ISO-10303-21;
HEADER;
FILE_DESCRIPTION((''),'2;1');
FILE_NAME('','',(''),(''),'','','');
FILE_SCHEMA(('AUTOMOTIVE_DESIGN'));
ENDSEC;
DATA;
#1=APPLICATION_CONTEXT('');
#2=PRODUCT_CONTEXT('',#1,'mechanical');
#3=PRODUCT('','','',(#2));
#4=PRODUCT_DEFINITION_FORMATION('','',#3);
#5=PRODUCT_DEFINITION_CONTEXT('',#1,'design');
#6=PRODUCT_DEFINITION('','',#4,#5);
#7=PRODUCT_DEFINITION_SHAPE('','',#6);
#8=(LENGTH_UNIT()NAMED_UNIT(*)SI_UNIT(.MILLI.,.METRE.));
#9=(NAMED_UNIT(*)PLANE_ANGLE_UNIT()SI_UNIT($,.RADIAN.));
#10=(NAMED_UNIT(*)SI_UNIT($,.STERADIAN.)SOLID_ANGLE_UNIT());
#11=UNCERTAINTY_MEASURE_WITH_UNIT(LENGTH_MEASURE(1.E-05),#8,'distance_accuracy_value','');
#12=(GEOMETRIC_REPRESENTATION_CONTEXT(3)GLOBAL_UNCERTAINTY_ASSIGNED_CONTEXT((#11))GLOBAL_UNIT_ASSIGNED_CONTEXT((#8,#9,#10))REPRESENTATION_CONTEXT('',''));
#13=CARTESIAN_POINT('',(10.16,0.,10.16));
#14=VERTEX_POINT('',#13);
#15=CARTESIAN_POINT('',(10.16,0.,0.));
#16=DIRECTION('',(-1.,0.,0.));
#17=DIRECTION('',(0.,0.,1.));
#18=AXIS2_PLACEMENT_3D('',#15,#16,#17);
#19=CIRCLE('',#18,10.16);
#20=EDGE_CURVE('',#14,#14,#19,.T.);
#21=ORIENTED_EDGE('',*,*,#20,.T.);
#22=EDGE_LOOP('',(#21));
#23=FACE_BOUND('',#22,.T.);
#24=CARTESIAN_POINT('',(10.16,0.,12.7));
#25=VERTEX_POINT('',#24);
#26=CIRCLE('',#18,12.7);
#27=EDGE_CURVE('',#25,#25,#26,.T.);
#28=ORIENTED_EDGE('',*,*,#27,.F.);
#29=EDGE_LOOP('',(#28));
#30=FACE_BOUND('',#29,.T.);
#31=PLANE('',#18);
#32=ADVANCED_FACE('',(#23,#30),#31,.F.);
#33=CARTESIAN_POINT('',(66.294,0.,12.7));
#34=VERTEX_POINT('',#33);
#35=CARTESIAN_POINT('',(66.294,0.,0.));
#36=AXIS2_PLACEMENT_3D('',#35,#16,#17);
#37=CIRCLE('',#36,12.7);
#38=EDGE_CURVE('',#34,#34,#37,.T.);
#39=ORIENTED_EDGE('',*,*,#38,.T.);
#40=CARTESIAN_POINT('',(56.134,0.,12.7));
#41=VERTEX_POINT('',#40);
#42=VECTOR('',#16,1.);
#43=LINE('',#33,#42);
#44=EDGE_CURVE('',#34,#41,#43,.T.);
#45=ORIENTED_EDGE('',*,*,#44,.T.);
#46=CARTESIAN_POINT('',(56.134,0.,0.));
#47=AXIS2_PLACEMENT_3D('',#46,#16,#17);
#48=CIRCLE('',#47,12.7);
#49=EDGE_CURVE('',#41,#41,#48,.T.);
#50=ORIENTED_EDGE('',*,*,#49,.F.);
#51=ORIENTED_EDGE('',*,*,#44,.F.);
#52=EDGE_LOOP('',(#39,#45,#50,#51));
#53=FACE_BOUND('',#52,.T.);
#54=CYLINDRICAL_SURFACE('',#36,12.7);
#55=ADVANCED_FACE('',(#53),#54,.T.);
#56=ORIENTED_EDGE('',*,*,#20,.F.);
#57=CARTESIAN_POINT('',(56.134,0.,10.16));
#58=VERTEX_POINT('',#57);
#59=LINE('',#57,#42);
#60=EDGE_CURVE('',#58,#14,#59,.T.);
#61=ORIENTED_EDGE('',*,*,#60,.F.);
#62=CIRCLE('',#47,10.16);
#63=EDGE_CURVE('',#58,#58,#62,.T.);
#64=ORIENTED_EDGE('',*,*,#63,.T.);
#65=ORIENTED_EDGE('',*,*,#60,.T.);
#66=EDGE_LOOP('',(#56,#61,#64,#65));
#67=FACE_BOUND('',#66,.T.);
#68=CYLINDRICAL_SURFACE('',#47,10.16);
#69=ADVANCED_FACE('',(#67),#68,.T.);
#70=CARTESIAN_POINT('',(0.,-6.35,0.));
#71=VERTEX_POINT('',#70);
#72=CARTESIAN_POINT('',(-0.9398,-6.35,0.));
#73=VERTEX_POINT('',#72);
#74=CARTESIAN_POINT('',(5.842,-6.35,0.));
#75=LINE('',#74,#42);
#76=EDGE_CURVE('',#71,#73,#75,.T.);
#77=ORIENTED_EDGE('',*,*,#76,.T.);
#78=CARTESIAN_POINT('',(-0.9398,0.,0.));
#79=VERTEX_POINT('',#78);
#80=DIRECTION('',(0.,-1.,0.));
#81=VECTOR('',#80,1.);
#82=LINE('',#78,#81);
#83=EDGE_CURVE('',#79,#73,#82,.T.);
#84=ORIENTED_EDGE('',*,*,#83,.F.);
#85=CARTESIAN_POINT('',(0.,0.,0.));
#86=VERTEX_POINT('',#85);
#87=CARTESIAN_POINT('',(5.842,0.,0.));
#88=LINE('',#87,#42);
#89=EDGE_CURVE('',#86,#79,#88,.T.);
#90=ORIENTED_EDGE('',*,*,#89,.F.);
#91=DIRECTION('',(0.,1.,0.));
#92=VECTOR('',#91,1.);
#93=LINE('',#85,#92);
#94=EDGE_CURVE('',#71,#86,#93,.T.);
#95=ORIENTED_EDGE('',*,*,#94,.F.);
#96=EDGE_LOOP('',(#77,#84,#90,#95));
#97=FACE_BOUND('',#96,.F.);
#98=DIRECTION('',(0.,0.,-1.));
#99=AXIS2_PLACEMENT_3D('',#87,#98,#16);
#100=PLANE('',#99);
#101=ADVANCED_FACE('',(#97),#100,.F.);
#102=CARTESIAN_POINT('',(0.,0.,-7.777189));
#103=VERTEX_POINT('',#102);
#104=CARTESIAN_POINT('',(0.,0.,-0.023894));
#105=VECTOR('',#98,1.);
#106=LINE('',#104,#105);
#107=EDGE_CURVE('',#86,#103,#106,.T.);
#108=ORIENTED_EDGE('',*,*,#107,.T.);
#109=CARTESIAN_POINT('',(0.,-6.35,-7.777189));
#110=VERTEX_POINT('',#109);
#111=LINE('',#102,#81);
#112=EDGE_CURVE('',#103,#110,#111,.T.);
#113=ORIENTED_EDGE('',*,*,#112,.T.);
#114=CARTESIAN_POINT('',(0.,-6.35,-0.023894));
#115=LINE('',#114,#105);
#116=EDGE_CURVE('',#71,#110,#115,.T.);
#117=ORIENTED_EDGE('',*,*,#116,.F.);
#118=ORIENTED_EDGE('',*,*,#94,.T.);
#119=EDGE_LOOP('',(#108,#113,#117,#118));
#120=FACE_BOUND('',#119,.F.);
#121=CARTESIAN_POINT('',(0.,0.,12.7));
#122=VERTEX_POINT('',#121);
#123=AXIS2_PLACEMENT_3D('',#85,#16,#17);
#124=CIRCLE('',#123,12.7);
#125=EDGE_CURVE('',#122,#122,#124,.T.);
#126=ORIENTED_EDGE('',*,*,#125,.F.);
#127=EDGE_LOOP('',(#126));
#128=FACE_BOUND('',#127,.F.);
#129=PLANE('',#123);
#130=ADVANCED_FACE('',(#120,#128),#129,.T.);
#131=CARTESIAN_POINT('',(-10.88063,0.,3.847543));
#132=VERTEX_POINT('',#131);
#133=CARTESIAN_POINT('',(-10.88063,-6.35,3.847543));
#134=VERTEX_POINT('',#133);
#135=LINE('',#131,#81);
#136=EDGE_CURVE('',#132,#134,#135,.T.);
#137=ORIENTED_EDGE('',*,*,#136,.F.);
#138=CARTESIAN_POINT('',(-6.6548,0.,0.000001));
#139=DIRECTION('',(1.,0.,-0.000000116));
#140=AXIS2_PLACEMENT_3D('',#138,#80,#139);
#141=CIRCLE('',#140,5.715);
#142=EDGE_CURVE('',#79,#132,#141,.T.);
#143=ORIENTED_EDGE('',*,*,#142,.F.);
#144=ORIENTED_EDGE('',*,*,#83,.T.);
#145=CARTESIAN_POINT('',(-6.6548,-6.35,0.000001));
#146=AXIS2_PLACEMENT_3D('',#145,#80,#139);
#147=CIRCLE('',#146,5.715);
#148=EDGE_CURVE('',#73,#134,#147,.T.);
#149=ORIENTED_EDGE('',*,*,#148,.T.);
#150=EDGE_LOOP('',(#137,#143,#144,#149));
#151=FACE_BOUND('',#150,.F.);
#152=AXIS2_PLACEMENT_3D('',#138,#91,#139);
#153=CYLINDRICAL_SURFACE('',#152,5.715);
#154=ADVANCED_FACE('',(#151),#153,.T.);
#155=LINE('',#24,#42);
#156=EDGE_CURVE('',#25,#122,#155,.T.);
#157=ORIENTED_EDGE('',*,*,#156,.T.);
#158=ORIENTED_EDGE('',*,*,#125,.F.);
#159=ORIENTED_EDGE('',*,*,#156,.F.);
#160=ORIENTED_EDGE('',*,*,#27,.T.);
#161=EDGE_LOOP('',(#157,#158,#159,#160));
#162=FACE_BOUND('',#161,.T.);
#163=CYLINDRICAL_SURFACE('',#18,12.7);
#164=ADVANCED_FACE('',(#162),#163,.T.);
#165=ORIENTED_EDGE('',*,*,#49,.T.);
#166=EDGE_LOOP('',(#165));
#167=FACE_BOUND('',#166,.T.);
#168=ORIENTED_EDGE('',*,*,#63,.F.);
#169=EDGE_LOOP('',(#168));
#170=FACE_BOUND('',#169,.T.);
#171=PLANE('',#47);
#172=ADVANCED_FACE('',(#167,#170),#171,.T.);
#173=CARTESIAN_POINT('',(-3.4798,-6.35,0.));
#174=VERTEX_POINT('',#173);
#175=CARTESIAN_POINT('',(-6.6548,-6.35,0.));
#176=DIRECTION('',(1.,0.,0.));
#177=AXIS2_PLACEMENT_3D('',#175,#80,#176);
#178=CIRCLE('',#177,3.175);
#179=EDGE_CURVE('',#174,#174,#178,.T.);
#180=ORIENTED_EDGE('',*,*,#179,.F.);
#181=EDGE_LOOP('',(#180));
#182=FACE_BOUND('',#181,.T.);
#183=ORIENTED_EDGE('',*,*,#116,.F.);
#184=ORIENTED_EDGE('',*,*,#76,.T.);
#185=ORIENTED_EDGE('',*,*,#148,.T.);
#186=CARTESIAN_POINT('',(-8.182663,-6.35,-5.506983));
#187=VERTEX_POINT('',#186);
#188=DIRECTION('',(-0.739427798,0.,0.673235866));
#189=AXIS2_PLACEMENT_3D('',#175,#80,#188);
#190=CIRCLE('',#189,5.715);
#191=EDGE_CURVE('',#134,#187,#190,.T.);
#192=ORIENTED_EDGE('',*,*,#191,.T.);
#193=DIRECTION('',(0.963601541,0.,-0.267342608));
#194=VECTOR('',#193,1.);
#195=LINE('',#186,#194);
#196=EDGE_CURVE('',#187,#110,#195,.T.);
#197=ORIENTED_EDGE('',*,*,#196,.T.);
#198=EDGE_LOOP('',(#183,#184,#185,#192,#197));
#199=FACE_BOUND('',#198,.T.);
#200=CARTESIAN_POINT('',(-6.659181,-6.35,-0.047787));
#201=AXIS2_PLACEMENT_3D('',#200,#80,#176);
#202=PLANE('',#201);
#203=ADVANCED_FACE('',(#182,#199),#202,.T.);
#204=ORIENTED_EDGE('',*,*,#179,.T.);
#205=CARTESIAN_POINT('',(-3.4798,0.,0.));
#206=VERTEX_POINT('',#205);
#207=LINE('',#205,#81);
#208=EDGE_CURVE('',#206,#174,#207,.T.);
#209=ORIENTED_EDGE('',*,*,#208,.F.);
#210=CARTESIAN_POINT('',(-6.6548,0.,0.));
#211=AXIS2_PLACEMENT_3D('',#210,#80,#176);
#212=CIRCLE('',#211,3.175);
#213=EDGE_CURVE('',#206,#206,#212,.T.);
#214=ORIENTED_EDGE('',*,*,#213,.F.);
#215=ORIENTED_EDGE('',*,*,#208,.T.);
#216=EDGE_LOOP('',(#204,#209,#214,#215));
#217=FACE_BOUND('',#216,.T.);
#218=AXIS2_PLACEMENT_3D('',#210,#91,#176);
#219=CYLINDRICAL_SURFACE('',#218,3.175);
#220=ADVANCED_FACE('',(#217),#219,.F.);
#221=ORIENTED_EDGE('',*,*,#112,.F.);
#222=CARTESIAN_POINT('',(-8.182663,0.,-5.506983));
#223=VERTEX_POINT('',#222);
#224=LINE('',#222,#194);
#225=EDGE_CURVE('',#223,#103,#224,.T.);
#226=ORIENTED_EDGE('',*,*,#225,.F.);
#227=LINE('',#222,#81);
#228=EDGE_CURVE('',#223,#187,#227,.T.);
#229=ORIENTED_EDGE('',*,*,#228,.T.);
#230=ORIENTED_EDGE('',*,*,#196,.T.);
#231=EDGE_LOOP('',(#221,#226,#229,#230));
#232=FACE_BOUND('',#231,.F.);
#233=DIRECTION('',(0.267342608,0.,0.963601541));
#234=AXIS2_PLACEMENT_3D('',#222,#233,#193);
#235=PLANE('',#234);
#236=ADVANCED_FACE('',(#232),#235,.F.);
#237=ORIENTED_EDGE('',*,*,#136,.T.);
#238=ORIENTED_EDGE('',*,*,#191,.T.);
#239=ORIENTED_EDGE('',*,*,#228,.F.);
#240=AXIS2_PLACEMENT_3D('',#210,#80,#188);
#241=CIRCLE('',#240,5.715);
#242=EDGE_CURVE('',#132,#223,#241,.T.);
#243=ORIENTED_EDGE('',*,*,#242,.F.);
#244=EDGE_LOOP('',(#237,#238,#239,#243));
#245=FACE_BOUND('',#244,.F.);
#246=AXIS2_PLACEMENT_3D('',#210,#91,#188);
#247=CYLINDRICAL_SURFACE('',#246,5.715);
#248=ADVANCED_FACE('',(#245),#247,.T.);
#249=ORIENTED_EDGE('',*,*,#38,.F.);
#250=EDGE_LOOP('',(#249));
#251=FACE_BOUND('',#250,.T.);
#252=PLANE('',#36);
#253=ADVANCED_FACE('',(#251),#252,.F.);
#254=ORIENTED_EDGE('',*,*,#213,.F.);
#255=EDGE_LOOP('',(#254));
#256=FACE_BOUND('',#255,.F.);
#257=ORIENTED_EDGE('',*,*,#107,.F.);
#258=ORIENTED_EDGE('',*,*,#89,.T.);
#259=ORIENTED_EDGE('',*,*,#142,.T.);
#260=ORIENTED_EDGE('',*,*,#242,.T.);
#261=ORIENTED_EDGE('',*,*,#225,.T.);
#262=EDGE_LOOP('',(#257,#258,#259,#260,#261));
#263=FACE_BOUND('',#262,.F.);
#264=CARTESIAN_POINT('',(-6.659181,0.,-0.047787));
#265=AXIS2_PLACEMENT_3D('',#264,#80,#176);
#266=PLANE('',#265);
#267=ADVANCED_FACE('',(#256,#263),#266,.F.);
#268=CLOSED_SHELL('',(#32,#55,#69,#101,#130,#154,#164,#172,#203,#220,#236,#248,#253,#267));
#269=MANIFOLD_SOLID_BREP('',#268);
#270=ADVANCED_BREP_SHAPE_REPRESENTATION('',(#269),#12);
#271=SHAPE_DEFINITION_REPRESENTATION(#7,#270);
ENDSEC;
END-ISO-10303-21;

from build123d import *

# Parameters (mm, degrees)
F0_W     = 5.842
F0_H     = 12.7
F0_R     = 3.175
F3_DEPTH = 6.35


with BuildPart() as f1:
    # F0 (on Front) → F1 (revolve)
    with BuildSketch(Plane.XZ):
        with Locations((2.921, 6.35)):
            Rectangle(F0_W, F0_H)
    revolve(axis=Axis((33.147, 0, 0), (-1, 0, 0)))

    # F0 (on Front) → F2 (revolve)
    with BuildSketch(Plane.XZ):
        Polygon((5.842, 12.7), (5.842, 0), (66.294, 0), (66.294, 12.7), (56.134, 12.7), (56.134, 10.16), (10.16, 10.16), (10.16, 12.7), align=None)
    revolve(axis=Axis((33.147, 0, 0), (-1, 0, 0)))

    # F0 (on Front) → F3 (join)
    with BuildSketch(Plane.XZ):
        with BuildLine():
            ThreePointArc((-8.182663, -5.506983), (-3.195791, -4.549339), (-0.9398, 0))
            ThreePointArc((-0.9398, 0), (-4.591961, 5.329721), (-10.88063, 3.847543))
            ThreePointArc((-10.88063, 3.847543), (-12.145978, -1.583727), (-8.182663, -5.506983))
        make_face()
        with Locations((-6.6548, 0)):
            Circle(F0_R, mode=Mode.SUBTRACT)
        with BuildLine():
            Line((5.842, 0), (0, 0))
            Line((0, 0), (-0.9398, 0))
            ThreePointArc((-0.9398, 0), (-3.195791, -4.549339), (-8.182663, -5.506983))
            Line((-8.182663, -5.506983), (5.842, -9.398))
            Line((5.842, -9.398), (5.842, 0))
        make_face()
    extrude(amount=F3_DEPTH)


solid = f1.part
